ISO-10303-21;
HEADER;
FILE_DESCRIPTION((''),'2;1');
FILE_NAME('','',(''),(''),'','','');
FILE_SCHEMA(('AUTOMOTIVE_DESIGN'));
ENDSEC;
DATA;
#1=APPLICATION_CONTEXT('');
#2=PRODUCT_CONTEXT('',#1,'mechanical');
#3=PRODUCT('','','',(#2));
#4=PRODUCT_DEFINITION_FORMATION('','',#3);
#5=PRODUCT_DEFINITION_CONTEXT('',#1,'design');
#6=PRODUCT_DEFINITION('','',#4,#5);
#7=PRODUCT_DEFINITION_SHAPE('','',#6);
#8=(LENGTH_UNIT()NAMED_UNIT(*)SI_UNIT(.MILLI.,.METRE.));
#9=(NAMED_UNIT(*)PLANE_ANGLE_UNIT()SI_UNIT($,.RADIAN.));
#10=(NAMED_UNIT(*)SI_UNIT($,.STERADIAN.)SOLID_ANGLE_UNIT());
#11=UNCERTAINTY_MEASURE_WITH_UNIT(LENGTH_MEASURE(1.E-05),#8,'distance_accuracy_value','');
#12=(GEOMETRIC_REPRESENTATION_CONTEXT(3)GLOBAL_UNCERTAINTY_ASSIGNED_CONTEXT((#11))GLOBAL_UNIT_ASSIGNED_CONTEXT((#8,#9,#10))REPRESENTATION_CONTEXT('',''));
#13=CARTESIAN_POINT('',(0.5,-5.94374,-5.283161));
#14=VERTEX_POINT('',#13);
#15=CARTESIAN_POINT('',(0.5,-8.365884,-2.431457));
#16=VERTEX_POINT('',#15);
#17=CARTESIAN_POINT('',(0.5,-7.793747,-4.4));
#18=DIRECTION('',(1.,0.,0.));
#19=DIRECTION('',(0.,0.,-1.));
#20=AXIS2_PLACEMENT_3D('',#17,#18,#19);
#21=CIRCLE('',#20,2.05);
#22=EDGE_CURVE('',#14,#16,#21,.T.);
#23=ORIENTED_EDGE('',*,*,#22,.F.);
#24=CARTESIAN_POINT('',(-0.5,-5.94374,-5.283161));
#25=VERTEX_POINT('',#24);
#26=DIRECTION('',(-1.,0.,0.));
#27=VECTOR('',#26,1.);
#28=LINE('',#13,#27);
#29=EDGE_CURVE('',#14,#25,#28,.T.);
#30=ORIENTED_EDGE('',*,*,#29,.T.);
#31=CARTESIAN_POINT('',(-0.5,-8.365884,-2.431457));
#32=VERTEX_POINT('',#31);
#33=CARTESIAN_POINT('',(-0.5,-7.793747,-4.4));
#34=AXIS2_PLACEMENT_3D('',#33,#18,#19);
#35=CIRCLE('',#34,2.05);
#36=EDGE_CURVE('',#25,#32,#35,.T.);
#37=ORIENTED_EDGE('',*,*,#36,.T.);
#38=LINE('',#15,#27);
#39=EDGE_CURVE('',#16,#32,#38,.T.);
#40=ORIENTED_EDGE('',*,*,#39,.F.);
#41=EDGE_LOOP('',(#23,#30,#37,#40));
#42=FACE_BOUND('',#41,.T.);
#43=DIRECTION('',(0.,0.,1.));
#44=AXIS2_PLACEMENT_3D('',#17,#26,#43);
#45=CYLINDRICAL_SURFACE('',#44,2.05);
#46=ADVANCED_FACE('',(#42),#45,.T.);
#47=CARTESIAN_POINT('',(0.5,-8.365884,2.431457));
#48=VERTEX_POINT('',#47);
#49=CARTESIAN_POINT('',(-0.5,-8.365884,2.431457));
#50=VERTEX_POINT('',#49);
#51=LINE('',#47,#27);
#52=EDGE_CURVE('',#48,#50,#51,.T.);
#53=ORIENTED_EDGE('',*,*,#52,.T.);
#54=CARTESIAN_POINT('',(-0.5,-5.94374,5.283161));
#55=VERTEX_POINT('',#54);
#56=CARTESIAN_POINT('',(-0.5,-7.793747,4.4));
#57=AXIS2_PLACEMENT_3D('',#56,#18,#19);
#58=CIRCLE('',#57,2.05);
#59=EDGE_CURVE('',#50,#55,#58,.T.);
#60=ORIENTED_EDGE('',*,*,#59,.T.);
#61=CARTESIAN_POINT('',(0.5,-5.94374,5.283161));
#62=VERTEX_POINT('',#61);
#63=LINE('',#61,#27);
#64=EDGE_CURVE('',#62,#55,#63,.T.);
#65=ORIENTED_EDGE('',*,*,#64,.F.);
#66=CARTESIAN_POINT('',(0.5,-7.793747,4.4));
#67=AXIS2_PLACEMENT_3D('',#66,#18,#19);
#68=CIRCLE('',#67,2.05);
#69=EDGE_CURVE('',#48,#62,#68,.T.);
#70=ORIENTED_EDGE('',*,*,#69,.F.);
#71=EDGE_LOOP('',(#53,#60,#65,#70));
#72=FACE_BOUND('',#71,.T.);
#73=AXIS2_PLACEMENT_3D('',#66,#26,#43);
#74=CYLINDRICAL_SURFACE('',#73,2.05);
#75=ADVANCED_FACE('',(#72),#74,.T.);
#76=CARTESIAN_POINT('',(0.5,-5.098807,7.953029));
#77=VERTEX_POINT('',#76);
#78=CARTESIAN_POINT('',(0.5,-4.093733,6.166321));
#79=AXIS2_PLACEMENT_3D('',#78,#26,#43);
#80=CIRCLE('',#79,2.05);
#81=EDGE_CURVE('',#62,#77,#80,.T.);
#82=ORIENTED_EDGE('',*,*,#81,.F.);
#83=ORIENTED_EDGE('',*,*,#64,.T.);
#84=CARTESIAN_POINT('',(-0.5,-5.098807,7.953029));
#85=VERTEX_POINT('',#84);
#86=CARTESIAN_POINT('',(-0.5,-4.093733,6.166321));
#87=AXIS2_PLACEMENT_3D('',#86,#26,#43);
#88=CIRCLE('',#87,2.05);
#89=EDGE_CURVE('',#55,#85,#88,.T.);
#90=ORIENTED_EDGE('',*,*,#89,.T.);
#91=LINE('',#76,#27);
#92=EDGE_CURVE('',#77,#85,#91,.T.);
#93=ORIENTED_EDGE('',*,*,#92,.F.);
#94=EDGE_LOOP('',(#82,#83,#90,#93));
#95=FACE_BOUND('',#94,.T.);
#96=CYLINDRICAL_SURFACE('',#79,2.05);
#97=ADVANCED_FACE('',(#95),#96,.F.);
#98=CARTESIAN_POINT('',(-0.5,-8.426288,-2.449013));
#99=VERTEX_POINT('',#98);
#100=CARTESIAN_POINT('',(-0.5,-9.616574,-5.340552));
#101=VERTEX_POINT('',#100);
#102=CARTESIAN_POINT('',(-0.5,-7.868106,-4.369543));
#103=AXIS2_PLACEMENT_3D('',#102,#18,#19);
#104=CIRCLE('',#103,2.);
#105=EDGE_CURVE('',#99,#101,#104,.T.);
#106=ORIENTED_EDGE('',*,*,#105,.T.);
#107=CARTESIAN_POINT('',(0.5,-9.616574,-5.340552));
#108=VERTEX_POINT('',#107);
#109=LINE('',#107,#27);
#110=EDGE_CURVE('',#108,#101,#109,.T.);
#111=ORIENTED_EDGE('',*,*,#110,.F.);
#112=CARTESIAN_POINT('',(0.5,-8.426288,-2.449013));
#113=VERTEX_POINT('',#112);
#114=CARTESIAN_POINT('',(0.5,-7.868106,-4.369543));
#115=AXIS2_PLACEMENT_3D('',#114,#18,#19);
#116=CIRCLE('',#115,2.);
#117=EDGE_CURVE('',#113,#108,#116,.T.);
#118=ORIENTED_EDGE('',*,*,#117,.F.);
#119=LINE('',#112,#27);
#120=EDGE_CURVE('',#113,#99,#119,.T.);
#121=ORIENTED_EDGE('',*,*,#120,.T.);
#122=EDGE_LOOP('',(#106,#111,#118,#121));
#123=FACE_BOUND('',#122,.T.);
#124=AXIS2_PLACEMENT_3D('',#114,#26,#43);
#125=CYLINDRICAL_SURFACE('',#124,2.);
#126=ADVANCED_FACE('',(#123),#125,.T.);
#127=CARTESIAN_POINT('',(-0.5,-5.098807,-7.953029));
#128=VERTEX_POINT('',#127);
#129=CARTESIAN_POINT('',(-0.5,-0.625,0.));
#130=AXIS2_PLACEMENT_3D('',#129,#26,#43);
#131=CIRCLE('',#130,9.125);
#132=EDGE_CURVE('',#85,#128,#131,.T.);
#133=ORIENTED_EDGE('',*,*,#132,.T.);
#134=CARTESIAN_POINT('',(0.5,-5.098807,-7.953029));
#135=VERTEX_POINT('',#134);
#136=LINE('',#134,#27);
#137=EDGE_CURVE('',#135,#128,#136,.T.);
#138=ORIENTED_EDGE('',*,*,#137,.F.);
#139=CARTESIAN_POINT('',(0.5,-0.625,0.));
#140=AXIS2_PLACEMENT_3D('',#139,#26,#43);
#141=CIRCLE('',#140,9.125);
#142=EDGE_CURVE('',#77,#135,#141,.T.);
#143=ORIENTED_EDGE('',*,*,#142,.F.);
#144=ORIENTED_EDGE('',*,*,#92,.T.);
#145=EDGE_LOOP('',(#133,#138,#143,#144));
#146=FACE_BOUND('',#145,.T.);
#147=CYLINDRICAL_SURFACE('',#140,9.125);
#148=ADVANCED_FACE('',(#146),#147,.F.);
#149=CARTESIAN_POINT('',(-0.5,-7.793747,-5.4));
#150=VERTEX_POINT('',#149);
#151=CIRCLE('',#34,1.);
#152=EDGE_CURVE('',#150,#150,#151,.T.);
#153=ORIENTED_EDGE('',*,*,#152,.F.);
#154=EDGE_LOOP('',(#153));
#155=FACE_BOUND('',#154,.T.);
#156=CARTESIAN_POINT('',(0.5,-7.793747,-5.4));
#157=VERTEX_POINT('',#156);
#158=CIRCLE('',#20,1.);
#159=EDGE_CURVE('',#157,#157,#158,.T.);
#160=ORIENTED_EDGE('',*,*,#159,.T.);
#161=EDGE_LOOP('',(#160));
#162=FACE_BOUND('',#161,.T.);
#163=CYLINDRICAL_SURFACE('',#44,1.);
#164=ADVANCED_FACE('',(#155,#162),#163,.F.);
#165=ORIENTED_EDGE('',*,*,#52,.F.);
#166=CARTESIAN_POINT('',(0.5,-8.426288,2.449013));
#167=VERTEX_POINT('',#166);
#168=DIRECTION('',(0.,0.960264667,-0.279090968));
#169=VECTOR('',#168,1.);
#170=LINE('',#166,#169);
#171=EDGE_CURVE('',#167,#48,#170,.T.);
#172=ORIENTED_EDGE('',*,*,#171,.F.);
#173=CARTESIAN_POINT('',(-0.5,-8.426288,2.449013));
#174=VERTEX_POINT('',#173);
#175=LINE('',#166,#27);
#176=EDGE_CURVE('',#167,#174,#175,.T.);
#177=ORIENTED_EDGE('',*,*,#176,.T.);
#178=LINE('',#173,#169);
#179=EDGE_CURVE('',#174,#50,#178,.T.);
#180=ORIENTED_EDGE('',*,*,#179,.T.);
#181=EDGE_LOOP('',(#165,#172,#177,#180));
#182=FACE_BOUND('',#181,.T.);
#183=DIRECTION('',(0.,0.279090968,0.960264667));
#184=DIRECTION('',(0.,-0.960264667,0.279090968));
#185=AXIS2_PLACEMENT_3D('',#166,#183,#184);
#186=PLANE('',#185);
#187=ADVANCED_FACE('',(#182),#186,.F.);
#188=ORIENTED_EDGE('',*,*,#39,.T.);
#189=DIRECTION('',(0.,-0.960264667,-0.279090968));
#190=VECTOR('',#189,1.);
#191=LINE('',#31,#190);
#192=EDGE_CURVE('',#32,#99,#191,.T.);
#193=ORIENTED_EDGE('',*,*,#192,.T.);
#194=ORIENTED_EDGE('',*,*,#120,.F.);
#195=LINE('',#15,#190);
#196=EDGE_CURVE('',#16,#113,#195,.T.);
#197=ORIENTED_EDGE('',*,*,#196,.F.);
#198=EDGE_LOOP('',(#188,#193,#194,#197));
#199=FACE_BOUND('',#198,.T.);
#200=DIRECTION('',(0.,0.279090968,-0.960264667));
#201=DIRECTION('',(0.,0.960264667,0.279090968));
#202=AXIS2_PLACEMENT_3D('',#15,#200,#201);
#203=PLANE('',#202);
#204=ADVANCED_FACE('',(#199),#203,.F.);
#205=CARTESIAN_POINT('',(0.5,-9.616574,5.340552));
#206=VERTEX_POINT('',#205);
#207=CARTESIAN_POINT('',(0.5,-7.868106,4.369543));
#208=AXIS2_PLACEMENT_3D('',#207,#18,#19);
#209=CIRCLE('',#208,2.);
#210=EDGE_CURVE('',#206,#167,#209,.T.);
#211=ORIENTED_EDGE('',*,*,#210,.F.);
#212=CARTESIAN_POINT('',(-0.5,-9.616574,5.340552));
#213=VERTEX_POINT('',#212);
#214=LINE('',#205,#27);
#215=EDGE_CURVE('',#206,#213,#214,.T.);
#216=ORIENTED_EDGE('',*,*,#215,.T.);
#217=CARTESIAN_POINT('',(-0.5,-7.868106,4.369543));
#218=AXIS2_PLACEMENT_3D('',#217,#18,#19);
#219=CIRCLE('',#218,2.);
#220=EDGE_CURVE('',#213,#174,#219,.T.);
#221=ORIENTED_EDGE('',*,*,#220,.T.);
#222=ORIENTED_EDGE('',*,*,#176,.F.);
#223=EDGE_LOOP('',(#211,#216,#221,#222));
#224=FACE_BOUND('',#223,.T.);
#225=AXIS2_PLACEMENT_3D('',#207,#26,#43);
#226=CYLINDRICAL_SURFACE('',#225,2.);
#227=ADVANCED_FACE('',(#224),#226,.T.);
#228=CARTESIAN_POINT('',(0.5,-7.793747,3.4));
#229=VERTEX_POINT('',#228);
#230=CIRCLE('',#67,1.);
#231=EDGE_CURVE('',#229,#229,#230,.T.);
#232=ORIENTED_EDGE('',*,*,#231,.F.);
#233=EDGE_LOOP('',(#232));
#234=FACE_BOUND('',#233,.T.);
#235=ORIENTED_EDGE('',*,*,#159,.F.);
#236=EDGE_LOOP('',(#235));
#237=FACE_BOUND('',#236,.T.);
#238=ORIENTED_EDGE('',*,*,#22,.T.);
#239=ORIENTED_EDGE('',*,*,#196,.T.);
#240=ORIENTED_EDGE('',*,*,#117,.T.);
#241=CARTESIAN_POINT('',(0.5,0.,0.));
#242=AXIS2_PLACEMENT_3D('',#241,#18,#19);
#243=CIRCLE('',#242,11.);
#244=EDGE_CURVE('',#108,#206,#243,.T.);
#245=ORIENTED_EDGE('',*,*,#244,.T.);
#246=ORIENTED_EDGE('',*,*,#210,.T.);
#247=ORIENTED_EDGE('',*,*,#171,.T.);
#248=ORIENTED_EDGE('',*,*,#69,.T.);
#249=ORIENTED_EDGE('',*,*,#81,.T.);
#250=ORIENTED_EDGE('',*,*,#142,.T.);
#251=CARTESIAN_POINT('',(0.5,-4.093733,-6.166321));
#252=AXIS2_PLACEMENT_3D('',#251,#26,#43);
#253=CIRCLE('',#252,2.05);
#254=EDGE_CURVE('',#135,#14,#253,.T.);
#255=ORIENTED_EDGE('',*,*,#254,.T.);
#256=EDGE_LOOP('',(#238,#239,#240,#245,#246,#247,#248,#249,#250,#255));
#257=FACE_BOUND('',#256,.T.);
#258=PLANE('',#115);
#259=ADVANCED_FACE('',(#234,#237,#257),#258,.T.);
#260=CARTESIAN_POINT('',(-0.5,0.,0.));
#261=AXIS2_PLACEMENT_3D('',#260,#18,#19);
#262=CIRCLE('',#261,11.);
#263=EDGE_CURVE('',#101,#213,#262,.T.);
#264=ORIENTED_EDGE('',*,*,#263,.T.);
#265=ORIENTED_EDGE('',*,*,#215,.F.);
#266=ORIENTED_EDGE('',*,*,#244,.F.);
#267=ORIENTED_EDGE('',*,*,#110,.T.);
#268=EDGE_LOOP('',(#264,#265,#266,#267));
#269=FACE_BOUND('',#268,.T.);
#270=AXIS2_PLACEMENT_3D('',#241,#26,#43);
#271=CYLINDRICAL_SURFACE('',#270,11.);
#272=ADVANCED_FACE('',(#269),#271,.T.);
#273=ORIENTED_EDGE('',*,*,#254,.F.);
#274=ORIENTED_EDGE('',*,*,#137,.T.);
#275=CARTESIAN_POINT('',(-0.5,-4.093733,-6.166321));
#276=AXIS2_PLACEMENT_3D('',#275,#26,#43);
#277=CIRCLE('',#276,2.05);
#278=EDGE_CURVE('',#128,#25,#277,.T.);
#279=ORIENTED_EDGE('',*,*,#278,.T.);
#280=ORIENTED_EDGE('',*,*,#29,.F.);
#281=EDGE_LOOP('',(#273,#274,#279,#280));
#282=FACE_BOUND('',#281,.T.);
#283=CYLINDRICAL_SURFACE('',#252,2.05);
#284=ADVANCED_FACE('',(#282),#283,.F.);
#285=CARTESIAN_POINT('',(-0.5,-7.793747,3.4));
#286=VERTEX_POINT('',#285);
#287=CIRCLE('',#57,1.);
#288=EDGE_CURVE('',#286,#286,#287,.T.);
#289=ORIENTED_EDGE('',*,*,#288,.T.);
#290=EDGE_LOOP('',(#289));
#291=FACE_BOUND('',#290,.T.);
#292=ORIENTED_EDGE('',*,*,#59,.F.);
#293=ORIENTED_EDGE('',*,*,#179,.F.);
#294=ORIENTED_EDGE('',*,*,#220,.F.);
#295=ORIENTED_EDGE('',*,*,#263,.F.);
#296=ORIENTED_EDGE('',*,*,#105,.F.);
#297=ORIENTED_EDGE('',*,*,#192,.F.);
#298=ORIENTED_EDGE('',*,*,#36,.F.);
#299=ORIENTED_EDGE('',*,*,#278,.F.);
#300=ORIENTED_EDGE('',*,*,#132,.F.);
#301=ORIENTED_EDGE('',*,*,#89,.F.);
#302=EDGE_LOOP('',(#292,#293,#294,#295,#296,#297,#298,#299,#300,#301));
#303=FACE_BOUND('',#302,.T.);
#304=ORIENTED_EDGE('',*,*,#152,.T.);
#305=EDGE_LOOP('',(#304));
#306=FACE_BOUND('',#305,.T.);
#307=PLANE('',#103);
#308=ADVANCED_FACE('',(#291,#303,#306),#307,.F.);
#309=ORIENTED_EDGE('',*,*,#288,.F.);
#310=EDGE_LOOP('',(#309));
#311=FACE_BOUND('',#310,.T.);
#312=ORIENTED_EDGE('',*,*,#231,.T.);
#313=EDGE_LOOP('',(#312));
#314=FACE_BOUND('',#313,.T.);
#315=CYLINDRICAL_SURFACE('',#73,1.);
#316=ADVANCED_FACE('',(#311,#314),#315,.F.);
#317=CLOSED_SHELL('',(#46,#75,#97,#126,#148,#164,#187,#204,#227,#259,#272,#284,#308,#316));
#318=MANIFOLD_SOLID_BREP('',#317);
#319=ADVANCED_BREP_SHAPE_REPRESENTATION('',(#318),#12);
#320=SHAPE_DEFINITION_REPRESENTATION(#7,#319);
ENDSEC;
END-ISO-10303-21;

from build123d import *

# Parameters (mm, degrees)
BOSS_EXTRUDE1_DEPTH      = 0.5
BOSS_EXTRUDE1_DEPTH_BACK = 0.5
SKETCH1_R                = 1


with BuildPart() as part:
    # Sketch1 → Boss-Extrude1 (new, two sides: drawn at the far end of the back side and taken through both)
    with BuildSketch(Plane(origin=(0, 0, 0), x_dir=(0, 0, -1), z_dir=(1, 0, 0)).offset(-BOSS_EXTRUDE1_DEPTH_BACK)):
        with BuildLine():
            Line((-2.449013309, -8.426288258), (-2.431457432, -8.365883979))
            ThreePointArc((-2.431457432, -8.365883979), (-3.072894616, -6.231284279), (-5.28316064, -5.94374012))
            ThreePointArc((-5.28316064, -5.94374012), (-6.784849627, -6.048194996), (-7.953029213, -5.098807252))
            ThreePointArc((-7.953029213, -5.098807252), (0, 8.5), (7.953029213, -5.098807252))
            ThreePointArc((7.953029213, -5.098807252), (6.784849627, -6.048194996), (5.28316064, -5.94374012))
            ThreePointArc((5.28316064, -5.94374012), (3.072894616, -6.231284279), (2.431457432, -8.365883979))
            Line((2.431457432, -8.365883979), (2.449013309, -8.426288258))
            ThreePointArc((2.449013309, -8.426288258), (3.608233074, -9.717540759), (5.34055212, -9.616574393))
            ThreePointArc((5.34055212, -9.616574393), (0, 11), (-5.34055212, -9.616574393))
            ThreePointArc((-5.34055212, -9.616574393), (-3.608233074, -9.717540759), (-2.449013309, -8.426288258))
        make_face()
        with Locations((4.4, -7.793747494)):
            Circle(SKETCH1_R, mode=Mode.SUBTRACT)
        with Locations((-4.4, -7.793747494)):
            Circle(SKETCH1_R, mode=Mode.SUBTRACT)
    extrude(amount=BOSS_EXTRUDE1_DEPTH + BOSS_EXTRUDE1_DEPTH_BACK)


solid = part.part
